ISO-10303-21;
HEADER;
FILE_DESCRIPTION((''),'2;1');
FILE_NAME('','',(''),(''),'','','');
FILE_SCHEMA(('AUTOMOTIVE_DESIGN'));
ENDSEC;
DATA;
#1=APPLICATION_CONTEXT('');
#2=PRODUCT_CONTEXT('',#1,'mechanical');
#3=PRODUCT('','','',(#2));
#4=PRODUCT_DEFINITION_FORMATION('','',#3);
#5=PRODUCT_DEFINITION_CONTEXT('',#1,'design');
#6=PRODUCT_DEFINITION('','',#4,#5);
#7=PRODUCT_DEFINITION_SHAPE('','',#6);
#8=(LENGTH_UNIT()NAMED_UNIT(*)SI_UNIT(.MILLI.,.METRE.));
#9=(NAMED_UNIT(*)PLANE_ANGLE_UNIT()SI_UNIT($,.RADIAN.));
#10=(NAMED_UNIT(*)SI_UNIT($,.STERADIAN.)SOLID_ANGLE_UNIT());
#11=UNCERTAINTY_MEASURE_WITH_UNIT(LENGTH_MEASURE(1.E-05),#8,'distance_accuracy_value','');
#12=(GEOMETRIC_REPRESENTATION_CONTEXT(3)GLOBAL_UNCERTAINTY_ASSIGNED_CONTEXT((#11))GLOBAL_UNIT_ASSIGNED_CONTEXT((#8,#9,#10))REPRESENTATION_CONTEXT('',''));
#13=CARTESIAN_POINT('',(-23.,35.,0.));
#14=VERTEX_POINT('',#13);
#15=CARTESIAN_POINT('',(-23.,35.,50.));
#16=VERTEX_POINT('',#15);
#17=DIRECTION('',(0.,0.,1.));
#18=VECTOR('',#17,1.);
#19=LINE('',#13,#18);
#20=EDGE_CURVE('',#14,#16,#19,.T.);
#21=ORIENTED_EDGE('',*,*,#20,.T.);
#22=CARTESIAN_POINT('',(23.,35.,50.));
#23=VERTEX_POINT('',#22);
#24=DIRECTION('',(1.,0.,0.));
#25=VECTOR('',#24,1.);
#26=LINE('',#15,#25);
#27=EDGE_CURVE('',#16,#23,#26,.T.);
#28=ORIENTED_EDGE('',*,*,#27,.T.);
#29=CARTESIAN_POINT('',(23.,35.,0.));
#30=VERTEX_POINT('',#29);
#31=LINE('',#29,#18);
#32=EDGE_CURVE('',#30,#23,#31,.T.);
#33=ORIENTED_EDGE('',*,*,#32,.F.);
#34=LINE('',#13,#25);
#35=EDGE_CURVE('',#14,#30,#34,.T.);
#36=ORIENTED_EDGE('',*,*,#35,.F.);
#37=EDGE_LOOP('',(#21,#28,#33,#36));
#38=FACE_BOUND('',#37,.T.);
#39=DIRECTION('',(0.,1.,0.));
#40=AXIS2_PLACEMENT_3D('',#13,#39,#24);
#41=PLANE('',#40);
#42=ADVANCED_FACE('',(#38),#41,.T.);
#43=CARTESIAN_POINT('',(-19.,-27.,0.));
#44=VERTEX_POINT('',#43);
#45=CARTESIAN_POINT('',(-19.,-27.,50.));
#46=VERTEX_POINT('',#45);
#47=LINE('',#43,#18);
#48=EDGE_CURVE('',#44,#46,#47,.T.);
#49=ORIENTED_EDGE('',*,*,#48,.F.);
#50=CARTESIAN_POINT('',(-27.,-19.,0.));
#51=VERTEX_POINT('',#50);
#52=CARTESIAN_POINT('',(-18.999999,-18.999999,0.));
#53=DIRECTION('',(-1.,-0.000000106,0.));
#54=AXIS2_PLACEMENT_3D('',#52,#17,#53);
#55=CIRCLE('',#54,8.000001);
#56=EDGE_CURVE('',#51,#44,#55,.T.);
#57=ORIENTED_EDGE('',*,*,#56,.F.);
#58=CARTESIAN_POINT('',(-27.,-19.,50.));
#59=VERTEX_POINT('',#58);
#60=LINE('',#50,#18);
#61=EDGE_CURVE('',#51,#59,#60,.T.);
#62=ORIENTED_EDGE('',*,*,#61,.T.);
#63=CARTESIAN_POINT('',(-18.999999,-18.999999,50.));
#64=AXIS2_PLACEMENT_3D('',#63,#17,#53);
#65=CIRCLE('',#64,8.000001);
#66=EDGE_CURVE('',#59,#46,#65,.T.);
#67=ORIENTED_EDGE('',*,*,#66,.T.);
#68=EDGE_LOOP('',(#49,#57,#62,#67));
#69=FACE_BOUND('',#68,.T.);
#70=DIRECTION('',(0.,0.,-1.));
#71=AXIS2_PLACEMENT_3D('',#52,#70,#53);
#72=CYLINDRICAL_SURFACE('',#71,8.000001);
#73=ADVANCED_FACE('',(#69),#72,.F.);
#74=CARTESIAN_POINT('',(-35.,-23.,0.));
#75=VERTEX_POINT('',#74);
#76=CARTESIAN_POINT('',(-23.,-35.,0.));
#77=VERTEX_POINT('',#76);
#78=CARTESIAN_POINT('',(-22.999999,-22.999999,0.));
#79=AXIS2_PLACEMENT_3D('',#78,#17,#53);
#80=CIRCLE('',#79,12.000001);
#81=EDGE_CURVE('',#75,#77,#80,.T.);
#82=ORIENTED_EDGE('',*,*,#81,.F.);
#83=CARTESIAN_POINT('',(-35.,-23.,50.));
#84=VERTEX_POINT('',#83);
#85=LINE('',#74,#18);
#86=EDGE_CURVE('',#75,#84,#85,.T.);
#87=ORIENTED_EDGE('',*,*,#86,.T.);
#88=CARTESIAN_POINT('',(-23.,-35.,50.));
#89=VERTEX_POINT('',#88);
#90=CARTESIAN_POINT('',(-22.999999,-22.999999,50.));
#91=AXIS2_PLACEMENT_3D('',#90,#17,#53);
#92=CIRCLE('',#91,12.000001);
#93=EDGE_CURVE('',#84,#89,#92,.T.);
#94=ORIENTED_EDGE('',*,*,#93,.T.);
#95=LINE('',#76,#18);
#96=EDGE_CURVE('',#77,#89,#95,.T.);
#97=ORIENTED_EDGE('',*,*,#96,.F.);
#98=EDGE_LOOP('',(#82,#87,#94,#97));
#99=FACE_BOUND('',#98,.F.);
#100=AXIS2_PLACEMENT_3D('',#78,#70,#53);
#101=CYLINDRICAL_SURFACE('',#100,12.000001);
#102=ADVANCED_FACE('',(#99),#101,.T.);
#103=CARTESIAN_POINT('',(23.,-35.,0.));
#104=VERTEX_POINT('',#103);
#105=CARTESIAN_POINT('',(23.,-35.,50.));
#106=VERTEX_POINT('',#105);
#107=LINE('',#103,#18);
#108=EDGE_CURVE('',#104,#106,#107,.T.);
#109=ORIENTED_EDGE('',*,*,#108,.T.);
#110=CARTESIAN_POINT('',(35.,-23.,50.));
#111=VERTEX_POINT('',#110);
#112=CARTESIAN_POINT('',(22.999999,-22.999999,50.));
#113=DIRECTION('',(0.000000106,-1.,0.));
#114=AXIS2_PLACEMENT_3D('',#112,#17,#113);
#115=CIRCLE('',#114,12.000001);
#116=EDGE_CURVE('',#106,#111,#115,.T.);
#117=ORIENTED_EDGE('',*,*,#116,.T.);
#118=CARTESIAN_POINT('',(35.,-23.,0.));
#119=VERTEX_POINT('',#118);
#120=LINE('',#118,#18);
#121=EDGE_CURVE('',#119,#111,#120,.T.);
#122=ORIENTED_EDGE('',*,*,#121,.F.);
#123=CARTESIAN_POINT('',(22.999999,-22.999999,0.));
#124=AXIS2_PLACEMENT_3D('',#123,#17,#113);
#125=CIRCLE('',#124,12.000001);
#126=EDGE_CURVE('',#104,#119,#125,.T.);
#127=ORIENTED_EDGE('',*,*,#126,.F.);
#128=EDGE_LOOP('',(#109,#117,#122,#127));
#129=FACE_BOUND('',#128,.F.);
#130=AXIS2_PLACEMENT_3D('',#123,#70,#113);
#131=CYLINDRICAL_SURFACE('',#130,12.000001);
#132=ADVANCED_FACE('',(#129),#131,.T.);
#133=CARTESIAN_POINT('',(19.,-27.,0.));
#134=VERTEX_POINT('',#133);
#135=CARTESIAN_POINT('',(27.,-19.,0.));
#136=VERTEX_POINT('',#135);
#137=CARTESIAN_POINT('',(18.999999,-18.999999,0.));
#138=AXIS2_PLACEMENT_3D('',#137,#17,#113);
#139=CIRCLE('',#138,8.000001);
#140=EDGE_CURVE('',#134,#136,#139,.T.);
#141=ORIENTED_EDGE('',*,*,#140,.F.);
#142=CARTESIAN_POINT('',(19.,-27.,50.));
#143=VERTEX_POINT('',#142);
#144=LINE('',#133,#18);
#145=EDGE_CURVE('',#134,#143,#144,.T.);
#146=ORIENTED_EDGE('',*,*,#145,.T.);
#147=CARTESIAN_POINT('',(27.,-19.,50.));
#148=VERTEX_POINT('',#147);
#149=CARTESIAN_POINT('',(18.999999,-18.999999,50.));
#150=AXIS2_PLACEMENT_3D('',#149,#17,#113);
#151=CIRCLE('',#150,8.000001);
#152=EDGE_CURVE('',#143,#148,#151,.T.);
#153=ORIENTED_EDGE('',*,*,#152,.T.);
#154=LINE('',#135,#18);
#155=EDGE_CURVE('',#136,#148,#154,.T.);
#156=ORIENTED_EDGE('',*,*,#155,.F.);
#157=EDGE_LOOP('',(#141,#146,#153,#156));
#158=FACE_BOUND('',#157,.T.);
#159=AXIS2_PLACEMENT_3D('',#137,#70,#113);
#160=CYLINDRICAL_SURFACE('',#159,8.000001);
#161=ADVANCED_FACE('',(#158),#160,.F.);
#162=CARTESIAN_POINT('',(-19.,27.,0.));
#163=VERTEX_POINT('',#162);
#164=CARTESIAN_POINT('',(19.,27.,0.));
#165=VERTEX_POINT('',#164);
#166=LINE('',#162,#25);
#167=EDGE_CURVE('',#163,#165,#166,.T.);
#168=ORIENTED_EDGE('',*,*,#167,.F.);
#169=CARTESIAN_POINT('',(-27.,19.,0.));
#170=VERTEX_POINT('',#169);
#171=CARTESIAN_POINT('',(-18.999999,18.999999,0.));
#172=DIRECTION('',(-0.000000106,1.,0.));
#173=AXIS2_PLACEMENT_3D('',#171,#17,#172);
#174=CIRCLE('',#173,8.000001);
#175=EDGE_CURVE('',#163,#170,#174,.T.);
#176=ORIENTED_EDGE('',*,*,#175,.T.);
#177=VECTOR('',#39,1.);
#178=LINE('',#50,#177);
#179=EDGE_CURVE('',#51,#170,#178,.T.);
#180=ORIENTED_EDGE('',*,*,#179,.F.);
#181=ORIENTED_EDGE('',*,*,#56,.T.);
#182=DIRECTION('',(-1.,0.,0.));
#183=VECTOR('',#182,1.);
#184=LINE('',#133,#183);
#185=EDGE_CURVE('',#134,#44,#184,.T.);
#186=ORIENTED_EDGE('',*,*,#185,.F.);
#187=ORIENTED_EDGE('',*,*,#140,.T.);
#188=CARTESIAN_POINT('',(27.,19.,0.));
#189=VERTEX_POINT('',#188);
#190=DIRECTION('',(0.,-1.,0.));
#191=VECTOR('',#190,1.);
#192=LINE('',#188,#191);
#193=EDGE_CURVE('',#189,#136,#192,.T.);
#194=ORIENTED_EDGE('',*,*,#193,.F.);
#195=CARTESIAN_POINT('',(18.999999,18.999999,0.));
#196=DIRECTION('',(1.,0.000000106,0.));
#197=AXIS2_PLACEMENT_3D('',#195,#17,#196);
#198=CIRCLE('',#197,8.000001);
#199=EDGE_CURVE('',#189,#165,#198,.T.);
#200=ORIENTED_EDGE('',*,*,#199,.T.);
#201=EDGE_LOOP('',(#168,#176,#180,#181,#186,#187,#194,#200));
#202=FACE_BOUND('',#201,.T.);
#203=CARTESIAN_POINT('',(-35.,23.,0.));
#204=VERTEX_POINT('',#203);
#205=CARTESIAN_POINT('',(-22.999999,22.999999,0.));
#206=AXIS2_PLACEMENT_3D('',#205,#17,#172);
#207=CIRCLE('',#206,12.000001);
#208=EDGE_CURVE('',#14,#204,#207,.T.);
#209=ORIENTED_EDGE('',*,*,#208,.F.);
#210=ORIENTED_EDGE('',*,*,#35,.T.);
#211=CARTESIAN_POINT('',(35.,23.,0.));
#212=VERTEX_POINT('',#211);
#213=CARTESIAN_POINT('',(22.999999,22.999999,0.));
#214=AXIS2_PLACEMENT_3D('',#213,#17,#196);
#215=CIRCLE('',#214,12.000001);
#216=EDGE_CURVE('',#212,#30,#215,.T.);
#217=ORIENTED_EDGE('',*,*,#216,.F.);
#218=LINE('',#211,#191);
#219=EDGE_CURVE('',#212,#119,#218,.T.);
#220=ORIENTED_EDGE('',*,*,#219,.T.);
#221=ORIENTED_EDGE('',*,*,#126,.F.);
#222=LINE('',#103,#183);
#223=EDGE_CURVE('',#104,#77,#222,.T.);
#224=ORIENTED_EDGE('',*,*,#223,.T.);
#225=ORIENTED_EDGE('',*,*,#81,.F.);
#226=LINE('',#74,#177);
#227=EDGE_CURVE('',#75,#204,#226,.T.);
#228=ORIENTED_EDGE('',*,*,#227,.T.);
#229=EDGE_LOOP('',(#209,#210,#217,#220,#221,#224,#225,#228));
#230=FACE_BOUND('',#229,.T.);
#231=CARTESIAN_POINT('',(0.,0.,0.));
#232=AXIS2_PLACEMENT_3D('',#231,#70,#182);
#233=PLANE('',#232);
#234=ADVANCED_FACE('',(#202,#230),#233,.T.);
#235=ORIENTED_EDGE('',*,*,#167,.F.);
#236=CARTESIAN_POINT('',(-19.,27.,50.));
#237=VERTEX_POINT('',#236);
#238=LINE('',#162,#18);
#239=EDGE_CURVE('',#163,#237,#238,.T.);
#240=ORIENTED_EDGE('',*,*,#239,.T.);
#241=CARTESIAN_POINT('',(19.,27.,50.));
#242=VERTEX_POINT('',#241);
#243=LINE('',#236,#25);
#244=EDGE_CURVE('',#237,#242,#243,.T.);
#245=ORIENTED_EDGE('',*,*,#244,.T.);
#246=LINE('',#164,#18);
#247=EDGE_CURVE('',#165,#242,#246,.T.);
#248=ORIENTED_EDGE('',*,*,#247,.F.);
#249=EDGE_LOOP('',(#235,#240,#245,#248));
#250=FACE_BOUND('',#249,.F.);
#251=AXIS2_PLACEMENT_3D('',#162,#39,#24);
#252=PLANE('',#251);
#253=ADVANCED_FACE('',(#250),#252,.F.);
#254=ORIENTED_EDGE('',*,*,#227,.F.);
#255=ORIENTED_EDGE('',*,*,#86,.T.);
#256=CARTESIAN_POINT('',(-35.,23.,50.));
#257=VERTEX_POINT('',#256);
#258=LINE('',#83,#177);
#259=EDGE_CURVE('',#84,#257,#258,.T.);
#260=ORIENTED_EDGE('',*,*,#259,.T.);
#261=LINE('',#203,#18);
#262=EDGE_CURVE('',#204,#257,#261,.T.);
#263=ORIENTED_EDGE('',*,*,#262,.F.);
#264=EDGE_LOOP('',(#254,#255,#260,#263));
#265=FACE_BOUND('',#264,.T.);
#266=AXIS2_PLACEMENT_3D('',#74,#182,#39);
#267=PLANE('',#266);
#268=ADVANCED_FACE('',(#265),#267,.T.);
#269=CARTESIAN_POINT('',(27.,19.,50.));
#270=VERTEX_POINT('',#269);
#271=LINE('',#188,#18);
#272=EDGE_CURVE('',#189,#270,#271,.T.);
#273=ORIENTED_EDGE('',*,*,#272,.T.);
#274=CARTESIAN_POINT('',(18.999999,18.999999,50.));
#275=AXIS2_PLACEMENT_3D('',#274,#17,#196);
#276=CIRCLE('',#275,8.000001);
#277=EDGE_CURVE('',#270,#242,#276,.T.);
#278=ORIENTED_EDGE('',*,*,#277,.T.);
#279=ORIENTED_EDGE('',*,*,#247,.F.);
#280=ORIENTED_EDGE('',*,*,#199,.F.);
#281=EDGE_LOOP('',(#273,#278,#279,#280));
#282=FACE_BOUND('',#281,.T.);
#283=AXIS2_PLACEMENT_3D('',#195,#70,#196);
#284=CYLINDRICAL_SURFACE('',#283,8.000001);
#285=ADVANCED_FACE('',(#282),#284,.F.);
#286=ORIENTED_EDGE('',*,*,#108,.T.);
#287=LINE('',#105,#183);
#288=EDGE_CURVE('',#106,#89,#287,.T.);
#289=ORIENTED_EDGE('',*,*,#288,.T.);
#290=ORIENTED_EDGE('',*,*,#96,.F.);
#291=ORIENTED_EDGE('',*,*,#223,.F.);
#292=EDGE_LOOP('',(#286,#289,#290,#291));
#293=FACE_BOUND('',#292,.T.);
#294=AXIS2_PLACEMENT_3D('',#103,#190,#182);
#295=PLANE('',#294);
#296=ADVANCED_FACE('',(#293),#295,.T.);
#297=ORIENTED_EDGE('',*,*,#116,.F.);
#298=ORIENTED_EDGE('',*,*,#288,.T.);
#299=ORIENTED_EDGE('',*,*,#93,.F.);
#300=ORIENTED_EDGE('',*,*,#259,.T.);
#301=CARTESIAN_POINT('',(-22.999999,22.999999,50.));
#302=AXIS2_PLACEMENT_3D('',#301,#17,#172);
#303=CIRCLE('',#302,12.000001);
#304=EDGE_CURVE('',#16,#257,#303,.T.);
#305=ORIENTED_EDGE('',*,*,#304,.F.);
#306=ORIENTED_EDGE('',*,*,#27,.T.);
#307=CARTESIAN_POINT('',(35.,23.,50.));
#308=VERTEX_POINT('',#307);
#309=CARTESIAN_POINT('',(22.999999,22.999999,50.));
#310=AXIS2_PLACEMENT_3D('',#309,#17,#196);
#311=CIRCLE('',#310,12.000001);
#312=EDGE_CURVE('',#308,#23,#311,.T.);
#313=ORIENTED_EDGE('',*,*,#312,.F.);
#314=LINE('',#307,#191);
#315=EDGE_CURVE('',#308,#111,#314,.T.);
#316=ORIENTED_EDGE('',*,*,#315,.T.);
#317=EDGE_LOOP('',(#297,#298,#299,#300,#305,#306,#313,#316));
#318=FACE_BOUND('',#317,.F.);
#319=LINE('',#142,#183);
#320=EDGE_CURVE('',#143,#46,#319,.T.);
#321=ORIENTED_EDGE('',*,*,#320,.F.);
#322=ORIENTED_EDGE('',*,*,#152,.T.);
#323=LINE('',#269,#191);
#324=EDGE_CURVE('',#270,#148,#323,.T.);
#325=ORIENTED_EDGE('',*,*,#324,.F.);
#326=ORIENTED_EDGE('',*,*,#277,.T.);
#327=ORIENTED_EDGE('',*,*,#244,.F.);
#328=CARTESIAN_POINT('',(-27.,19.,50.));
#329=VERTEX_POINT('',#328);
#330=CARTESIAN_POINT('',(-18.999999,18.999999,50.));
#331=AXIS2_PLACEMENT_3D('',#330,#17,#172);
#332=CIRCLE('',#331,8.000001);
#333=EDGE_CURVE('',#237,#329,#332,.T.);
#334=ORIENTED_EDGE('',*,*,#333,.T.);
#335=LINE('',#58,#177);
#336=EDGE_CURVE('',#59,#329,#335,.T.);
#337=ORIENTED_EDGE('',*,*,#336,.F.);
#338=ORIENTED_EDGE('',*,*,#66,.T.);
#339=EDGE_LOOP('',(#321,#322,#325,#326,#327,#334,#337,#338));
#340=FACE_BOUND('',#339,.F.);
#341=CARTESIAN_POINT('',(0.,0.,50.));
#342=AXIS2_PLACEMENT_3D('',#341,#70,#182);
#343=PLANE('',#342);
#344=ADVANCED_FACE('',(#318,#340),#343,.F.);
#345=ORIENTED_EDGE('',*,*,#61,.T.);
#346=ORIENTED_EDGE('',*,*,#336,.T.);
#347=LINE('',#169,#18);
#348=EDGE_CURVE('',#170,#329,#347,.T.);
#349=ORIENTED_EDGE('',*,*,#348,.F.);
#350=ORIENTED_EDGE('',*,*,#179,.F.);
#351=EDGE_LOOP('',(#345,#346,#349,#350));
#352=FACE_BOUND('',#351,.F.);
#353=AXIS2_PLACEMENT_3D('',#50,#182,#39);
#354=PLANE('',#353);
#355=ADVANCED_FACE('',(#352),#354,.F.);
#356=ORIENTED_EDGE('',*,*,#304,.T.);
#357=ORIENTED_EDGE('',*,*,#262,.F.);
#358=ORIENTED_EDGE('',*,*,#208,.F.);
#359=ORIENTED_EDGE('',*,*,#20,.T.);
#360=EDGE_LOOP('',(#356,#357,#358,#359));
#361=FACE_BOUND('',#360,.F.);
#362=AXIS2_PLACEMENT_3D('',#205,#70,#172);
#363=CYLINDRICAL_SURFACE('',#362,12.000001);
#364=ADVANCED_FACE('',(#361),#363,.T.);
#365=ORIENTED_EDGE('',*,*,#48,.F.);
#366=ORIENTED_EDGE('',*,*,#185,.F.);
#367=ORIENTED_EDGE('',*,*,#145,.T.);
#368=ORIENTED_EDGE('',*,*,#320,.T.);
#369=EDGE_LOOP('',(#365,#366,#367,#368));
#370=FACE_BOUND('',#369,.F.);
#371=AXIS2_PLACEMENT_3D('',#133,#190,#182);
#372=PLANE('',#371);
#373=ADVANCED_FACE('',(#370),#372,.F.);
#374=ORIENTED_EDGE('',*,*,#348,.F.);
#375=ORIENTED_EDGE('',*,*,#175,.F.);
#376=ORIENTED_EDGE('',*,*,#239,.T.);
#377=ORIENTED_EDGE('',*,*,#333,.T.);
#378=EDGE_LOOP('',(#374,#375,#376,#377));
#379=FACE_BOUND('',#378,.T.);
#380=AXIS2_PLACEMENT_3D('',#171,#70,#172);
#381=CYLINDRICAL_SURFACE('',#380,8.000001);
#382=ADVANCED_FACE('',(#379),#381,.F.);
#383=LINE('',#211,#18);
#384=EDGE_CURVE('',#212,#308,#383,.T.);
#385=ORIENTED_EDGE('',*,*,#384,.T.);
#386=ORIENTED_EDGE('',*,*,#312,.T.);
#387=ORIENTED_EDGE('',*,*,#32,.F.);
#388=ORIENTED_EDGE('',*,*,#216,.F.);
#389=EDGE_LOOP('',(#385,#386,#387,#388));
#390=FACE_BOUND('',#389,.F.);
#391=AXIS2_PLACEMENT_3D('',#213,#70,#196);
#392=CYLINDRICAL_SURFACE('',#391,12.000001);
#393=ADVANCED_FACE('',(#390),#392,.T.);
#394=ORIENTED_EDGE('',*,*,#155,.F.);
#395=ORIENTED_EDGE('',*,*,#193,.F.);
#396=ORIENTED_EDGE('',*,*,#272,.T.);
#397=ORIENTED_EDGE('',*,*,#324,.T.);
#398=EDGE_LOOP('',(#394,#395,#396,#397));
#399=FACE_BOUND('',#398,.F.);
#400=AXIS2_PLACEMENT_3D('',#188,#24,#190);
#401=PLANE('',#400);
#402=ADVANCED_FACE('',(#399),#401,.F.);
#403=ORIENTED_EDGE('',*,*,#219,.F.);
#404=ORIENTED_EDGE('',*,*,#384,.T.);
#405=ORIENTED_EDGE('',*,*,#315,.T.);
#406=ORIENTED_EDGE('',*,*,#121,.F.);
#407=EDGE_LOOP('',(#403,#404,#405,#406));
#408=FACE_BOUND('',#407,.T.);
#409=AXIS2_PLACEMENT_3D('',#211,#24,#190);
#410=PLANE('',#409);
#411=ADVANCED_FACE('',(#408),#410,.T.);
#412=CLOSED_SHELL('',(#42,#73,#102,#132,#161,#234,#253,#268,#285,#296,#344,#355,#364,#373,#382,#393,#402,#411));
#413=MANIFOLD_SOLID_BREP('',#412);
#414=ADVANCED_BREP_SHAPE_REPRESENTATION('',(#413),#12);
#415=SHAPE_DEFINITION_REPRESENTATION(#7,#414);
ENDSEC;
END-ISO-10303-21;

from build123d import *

# Parameters (mm, degrees)
EXTRUDE_DEPTH = 50


with BuildPart() as part:
    # Sketch → Extrude (new body)
    with BuildSketch(Plane.XY):
        with BuildLine():
            Line((-23, 35), (23, 35))
            ThreePointArc((35, 23), (31.485281, 31.485281), (23, 35))
            Line((35, 23), (35, -23))
            ThreePointArc((23, -35), (31.485281, -31.485281), (35, -23))
            Line((23, -35), (-23, -35))
            ThreePointArc((-35, -23), (-31.485281, -31.485281), (-23, -35))
            Line((-35, -23), (-35, 23))
            ThreePointArc((-23, 35), (-31.485281, 31.485281), (-35, 23))
        make_face()
        with BuildLine():
            Line((-19, 27), (19, 27))
            ThreePointArc((27, 19), (24.656854, 24.656854), (19, 27))
            Line((27, 19), (27, -19))
            ThreePointArc((19, -27), (24.656854, -24.656854), (27, -19))
            Line((19, -27), (-19, -27))
            ThreePointArc((-27, -19), (-24.656854, -24.656854), (-19, -27))
            Line((-27, -19), (-27, 19))
            ThreePointArc((-19, 27), (-24.656854, 24.656854), (-27, 19))
        make_face(mode=Mode.SUBTRACT)
    extrude(amount=EXTRUDE_DEPTH)


solid = part.part
